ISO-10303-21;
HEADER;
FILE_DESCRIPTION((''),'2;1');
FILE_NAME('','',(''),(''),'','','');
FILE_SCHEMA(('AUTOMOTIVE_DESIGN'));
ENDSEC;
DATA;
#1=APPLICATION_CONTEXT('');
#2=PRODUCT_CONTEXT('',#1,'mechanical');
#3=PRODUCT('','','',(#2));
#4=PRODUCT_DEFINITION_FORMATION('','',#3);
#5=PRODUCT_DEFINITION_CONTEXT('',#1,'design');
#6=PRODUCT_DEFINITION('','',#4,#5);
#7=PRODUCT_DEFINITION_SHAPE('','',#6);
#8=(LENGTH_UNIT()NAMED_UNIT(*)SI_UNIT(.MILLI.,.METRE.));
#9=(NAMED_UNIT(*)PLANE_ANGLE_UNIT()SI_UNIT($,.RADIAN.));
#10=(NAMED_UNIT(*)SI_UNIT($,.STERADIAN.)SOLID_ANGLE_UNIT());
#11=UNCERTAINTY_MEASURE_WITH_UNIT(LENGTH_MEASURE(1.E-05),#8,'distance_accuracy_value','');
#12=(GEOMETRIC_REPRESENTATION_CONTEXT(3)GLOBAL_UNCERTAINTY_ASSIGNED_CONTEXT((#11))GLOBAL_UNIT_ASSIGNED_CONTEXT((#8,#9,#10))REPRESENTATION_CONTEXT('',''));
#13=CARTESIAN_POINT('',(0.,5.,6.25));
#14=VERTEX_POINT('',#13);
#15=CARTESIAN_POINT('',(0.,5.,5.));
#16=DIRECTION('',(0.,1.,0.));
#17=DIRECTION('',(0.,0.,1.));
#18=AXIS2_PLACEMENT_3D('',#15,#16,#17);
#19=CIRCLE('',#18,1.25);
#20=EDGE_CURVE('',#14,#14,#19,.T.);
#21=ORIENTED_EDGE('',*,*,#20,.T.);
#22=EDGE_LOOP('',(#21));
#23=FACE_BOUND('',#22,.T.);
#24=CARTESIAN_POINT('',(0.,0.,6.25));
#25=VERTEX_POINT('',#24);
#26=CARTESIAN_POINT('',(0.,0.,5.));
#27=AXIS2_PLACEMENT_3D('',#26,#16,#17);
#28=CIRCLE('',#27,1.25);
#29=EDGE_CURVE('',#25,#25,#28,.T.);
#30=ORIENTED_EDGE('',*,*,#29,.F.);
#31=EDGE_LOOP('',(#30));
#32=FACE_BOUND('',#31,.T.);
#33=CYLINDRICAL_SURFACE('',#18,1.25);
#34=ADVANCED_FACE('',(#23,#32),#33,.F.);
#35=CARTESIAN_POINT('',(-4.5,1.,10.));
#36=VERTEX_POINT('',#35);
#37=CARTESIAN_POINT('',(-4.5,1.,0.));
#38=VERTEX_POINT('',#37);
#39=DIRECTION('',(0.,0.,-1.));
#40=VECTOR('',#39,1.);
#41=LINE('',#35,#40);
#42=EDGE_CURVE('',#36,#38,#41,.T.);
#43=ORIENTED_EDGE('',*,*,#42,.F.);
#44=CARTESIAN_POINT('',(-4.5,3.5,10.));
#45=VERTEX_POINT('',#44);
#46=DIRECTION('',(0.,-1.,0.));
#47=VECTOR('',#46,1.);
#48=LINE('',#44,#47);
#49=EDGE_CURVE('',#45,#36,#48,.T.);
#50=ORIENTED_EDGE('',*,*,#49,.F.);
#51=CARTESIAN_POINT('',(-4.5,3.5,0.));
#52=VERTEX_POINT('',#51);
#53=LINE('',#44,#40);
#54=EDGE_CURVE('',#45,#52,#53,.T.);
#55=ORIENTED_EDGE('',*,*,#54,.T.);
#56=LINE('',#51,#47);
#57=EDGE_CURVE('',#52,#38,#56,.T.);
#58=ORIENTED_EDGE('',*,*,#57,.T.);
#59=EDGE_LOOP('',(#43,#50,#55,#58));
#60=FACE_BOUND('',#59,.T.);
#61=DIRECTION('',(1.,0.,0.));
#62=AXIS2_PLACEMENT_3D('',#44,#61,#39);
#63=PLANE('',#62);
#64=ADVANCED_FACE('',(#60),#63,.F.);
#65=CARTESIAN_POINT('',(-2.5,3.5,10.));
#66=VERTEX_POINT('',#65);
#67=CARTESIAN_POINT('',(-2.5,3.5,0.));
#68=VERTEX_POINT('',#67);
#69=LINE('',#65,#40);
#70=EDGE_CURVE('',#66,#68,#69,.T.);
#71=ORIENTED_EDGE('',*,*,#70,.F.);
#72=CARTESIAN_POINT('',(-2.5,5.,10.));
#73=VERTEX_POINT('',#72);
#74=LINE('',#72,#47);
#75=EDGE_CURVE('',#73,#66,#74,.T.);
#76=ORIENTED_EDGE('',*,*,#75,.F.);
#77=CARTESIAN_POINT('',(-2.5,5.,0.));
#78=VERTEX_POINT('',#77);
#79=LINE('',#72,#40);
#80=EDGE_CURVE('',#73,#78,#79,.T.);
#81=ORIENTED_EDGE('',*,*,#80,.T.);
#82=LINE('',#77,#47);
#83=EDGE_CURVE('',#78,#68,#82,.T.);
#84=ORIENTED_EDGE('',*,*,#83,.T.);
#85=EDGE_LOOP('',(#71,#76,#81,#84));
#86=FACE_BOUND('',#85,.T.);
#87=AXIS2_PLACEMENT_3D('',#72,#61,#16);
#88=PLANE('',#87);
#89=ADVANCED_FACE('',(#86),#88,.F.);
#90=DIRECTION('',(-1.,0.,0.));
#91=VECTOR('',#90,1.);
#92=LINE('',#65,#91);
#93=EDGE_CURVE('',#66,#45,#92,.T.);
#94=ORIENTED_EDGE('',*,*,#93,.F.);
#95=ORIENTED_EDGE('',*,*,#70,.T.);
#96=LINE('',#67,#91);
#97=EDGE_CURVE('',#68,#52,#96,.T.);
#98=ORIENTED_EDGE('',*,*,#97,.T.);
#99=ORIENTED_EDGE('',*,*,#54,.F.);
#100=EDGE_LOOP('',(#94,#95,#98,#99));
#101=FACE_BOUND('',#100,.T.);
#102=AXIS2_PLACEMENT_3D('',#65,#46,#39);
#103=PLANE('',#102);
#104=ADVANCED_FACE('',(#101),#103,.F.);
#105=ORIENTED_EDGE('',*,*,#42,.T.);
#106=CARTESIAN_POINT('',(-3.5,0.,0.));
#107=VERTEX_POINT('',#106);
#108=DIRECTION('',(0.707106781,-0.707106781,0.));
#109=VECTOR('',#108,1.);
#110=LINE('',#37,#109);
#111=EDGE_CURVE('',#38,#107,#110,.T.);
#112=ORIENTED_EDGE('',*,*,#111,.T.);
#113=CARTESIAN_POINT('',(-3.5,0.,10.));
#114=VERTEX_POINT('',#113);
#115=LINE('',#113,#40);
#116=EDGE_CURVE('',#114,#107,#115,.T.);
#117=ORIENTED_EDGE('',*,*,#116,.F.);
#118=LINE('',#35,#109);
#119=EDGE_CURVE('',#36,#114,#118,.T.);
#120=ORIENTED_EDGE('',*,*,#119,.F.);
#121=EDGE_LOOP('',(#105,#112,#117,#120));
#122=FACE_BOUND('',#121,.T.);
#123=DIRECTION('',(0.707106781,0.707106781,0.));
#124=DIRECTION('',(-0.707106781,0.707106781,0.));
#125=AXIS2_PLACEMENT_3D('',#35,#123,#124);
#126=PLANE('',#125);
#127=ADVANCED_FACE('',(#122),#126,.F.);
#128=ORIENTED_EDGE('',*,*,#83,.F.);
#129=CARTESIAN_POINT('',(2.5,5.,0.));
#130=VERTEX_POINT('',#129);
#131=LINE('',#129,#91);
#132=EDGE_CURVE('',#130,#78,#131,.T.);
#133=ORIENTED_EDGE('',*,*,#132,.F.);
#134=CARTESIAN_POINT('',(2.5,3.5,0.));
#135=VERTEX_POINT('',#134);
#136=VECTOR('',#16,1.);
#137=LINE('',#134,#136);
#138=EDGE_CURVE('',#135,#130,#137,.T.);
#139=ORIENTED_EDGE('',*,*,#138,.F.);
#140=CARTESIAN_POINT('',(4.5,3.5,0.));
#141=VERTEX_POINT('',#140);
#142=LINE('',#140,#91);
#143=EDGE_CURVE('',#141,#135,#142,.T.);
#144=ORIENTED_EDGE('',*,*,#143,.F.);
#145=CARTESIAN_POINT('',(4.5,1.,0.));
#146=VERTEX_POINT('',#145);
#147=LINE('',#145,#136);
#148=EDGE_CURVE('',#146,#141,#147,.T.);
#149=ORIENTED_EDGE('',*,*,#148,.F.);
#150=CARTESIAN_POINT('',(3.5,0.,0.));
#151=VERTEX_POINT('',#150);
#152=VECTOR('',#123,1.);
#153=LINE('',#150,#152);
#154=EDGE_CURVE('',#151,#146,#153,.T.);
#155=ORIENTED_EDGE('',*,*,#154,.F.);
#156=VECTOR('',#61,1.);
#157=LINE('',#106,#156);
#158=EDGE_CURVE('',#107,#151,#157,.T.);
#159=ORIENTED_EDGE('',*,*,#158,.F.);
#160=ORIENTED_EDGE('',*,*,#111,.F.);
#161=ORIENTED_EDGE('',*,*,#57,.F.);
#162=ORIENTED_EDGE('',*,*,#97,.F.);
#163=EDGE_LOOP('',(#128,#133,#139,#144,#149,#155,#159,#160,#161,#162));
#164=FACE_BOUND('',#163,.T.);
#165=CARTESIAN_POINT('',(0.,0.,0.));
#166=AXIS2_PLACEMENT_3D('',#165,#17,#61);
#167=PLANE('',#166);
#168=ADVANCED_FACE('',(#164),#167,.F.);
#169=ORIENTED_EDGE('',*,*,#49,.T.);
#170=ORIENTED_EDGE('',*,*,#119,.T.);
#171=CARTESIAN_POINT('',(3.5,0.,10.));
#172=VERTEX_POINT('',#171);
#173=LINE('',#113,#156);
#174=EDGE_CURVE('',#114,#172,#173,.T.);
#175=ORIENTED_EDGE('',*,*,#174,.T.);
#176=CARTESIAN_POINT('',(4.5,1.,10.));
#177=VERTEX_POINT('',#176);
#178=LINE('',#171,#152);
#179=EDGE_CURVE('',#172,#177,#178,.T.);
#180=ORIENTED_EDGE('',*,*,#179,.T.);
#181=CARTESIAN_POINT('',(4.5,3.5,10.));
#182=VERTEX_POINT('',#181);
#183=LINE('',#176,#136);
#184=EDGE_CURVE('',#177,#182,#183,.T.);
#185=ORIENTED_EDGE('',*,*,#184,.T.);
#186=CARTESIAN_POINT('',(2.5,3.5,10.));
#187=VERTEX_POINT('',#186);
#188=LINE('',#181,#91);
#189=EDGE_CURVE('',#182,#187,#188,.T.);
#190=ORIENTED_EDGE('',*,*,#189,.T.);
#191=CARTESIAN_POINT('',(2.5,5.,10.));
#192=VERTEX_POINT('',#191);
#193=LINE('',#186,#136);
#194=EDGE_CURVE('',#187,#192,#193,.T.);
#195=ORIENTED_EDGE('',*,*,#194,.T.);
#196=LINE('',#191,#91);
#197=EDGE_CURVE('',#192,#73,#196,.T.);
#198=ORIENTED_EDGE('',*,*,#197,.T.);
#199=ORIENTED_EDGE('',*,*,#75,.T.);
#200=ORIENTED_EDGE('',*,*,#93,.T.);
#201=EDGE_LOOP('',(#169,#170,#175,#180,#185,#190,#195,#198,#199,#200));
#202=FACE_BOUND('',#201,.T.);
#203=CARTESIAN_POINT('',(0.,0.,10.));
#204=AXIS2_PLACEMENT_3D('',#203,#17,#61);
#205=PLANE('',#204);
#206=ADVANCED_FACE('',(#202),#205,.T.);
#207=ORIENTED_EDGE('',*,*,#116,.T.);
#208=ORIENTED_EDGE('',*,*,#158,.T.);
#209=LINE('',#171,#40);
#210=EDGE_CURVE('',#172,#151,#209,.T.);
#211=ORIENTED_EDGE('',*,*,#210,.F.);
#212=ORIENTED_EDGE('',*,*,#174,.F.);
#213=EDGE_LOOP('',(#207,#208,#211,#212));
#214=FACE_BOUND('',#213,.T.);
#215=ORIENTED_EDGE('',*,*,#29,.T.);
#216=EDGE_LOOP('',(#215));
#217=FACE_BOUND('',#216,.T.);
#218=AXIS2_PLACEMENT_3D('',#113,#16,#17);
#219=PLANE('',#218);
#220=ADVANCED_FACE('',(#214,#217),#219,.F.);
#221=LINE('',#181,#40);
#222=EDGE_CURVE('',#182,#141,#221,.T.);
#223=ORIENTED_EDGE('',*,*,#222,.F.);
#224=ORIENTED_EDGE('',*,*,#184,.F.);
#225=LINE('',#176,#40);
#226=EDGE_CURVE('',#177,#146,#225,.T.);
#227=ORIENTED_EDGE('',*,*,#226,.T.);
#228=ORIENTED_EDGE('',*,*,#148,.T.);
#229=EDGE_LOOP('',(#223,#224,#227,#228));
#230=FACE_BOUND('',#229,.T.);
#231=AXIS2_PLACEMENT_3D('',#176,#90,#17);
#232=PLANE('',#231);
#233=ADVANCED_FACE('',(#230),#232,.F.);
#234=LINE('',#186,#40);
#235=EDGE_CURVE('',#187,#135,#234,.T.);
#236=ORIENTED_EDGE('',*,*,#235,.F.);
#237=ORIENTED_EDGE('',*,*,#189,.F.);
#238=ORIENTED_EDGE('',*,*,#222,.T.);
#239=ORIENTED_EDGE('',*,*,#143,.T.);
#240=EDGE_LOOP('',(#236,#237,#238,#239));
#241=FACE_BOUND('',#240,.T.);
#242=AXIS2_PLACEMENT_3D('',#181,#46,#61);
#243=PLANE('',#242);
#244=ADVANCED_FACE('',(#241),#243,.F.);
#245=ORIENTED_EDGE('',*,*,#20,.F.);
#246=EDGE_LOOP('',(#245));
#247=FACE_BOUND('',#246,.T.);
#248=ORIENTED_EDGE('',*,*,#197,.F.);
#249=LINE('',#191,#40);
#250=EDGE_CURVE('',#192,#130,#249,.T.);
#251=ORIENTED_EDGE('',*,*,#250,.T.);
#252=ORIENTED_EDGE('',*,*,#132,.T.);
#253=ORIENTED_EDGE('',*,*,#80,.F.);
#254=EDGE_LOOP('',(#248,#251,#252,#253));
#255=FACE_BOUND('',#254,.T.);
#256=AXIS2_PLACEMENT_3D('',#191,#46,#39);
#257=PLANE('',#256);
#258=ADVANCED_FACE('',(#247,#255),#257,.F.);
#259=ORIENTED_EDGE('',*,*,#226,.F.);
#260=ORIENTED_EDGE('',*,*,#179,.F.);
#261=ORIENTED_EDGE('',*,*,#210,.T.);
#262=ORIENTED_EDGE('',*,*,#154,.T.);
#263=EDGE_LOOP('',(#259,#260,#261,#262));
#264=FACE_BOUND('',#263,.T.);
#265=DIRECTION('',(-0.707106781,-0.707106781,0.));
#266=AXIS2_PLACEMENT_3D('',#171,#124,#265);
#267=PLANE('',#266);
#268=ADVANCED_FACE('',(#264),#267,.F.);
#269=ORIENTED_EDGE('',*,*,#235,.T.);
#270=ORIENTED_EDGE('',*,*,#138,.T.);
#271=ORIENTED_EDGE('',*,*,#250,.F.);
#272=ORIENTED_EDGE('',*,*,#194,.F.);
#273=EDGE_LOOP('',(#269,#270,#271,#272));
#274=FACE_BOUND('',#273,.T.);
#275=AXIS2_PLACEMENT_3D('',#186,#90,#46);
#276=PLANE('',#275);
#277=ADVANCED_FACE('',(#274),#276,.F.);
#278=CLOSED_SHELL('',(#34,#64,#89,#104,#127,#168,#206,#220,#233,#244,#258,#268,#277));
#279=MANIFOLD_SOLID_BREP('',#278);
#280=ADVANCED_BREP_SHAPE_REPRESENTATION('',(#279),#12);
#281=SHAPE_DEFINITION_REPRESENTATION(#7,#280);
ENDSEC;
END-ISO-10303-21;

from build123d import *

# Parameters (mm, degrees)
BOSS_EXTRUDE1_DEPTH   = 10
M3X0_5_TAPPED_HOLE1_D = 2.5


with BuildPart() as part:
    # Sketch1 → Boss-Extrude1 (new body)
    with BuildSketch(Plane.XY):
        Polygon((-3.5, 0), (3.5, 0), (4.5, 1), (4.5, 3.5), (2.5, 3.5), (2.5, 5), (-2.5, 5), (-2.5, 3.5), (-4.5, 3.5), (-4.5, 1), align=None)
    extrude(amount=BOSS_EXTRUDE1_DEPTH)

    # M3x0.5 Tapped Hole1 (through all)
    with Locations(Plane(origin=(0, 5, 0), x_dir=(1, 0, 0), z_dir=(0, 1, 0))):
        with Locations((0, -5)):
            Hole(M3X0_5_TAPPED_HOLE1_D / 2)


solid = part.part
